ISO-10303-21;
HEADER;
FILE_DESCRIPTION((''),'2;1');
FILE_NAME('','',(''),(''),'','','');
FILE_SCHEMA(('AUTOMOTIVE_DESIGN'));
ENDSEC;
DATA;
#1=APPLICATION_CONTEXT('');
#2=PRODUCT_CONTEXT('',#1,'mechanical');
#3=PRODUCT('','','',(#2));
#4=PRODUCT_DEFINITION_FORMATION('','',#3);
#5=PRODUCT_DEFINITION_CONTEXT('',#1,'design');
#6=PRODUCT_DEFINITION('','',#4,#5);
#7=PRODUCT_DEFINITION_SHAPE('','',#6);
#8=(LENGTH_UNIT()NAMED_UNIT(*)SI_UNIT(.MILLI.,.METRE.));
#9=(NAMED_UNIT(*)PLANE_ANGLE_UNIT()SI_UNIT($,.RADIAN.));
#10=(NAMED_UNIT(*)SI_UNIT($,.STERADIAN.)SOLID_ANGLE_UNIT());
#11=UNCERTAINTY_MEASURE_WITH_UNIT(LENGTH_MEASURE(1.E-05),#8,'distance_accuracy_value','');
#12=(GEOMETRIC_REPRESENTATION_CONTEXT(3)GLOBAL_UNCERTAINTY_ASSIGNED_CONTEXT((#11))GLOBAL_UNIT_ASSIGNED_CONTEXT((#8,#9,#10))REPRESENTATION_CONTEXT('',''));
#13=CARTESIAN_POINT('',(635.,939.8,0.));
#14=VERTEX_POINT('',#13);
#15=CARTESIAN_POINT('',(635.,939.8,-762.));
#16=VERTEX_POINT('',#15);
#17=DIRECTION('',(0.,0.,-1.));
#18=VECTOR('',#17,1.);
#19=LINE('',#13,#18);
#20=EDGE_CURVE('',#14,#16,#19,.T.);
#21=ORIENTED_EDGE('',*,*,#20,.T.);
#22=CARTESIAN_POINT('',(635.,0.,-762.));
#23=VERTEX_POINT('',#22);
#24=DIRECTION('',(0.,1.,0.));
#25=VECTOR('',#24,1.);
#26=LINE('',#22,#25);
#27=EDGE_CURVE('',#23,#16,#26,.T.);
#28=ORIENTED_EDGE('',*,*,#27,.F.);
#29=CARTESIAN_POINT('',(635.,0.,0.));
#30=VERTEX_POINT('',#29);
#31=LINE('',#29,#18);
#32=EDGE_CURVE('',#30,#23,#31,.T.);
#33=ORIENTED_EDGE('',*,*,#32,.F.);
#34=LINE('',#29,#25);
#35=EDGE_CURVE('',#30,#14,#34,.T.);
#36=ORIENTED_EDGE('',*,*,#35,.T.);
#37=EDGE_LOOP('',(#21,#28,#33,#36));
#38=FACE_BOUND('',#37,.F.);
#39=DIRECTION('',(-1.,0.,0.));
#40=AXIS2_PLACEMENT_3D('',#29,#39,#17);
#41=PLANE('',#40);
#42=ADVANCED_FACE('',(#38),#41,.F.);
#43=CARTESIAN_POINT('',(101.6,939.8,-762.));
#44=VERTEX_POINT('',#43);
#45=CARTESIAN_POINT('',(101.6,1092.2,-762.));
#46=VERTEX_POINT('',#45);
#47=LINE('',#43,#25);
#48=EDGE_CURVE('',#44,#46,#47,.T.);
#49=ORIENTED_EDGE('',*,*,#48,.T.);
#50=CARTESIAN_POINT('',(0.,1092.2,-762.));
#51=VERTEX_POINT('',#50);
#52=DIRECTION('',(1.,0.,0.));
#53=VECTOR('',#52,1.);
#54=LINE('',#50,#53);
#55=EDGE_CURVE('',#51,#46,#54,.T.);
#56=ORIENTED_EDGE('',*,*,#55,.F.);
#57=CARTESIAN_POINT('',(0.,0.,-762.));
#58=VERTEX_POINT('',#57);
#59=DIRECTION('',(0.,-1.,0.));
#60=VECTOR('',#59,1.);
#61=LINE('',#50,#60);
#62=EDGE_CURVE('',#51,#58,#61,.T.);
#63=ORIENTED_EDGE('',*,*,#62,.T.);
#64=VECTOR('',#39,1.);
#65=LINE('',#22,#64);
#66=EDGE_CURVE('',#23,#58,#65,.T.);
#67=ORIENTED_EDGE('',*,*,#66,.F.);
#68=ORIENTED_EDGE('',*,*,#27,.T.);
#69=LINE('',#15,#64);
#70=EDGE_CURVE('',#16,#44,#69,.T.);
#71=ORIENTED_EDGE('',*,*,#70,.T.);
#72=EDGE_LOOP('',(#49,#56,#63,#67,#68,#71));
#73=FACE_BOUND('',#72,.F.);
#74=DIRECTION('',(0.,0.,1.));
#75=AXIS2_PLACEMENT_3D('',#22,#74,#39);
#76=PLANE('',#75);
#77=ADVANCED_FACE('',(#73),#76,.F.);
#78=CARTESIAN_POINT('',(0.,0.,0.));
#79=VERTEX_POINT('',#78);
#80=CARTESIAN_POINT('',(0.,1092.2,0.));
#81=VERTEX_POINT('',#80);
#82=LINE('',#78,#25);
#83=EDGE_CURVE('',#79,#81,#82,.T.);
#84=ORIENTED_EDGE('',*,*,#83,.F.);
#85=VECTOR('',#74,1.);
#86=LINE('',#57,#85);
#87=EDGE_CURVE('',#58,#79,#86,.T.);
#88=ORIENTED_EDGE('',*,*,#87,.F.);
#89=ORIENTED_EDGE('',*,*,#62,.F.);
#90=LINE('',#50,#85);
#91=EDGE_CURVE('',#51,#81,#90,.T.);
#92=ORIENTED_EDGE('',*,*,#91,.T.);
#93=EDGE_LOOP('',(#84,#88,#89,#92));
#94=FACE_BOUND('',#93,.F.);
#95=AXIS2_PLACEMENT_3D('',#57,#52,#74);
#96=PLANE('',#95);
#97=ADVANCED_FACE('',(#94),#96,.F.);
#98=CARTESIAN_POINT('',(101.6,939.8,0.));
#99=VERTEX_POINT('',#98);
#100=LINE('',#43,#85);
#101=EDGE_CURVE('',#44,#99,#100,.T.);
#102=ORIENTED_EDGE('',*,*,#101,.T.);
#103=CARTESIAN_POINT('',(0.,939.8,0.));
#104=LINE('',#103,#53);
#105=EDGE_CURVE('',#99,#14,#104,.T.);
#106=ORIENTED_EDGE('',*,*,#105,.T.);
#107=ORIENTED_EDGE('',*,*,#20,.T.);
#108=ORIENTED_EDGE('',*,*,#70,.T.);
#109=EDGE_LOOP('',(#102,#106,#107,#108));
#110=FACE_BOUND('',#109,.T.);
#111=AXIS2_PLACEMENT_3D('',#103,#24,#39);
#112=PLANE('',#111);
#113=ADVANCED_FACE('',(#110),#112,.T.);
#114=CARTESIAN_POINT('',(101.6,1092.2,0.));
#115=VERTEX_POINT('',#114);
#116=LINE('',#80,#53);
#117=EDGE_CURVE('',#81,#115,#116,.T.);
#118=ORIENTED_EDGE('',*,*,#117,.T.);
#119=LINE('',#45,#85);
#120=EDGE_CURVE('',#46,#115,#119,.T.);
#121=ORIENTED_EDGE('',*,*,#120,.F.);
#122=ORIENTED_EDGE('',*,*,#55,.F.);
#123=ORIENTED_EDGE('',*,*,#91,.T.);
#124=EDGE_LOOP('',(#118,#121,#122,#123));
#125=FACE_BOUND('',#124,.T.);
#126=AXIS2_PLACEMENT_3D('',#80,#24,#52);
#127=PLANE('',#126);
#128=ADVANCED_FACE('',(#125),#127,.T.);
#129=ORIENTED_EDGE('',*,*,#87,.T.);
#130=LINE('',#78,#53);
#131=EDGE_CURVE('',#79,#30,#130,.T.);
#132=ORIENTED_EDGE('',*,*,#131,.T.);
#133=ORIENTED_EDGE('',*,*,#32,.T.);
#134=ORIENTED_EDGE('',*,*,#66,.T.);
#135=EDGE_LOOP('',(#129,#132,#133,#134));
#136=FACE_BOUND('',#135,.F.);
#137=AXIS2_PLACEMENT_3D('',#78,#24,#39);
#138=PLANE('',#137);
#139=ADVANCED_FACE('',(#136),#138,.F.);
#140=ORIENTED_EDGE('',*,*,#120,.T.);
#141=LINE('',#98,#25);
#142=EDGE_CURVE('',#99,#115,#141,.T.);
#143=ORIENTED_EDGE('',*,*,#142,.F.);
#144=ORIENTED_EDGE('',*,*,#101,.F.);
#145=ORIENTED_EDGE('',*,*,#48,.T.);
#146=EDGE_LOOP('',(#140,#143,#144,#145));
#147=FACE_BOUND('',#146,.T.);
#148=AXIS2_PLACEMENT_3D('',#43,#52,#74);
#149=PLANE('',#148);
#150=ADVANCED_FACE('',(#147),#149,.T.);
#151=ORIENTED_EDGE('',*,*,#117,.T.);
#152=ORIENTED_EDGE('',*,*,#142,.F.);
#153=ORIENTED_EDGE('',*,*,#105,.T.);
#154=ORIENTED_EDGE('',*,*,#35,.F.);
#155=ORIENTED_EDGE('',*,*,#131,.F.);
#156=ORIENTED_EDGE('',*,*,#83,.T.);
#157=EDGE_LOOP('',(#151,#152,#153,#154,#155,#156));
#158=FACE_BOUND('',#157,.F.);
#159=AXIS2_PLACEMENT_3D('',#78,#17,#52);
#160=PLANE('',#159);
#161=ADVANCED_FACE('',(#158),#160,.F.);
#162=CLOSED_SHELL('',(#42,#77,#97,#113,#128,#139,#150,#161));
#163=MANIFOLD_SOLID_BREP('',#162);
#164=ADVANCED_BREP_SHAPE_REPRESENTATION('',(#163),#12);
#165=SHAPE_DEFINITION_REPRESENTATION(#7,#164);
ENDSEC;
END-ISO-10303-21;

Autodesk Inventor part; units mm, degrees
ref_plane "YZ Plane" through (0, 0, 0) normal (1, 0, 0) x (0, 1, 0)
ref_plane "XZ Plane" through (0, 0, 0) normal (0, 1, 0) x (-1, 0, 0)
ref_plane "XY Plane" through (0, 0, 0) normal (0, 0, 1) x (1, 0, 0)
sketch "Sketch1" plane through (0, 0, 0) normal (0, 1, 0) x (-1, 0, 0)
  line L0 (0, 0) -> (-635, 0)
  line L1 (-635, 0) -> (-635, -762)
  line L2 (-635, -762) -> (0, -762)
  line L3 (0, -762) -> (0, 0)
  dimension "d4" = 762
  dimension "d5" = 635
extrude "Extrusion1" add sketch "Sketch1" along normal blind 939.8
sketch "Sketch2" plane through (0, 939.8, 0) normal (0, 1, 0) x (1, 0, 0)
  line L0 (0, 762) -> (0, 0) projected
  line L1 (0, 0) -> (635, 0) projected
  line L2 (0, 762) -> (101.6, 762)
  line L3 (101.6, 762) -> (101.6, 0)
  line L4 (101.6, 0) -> (0, 0)
  line L5 (0, 0) -> (0, 762)
  dimension "d6" = 101.6
extrude "Extrusion2" add sketch "Sketch2" along normal blind 152.4
properties part number "Stove" material "Steel"
